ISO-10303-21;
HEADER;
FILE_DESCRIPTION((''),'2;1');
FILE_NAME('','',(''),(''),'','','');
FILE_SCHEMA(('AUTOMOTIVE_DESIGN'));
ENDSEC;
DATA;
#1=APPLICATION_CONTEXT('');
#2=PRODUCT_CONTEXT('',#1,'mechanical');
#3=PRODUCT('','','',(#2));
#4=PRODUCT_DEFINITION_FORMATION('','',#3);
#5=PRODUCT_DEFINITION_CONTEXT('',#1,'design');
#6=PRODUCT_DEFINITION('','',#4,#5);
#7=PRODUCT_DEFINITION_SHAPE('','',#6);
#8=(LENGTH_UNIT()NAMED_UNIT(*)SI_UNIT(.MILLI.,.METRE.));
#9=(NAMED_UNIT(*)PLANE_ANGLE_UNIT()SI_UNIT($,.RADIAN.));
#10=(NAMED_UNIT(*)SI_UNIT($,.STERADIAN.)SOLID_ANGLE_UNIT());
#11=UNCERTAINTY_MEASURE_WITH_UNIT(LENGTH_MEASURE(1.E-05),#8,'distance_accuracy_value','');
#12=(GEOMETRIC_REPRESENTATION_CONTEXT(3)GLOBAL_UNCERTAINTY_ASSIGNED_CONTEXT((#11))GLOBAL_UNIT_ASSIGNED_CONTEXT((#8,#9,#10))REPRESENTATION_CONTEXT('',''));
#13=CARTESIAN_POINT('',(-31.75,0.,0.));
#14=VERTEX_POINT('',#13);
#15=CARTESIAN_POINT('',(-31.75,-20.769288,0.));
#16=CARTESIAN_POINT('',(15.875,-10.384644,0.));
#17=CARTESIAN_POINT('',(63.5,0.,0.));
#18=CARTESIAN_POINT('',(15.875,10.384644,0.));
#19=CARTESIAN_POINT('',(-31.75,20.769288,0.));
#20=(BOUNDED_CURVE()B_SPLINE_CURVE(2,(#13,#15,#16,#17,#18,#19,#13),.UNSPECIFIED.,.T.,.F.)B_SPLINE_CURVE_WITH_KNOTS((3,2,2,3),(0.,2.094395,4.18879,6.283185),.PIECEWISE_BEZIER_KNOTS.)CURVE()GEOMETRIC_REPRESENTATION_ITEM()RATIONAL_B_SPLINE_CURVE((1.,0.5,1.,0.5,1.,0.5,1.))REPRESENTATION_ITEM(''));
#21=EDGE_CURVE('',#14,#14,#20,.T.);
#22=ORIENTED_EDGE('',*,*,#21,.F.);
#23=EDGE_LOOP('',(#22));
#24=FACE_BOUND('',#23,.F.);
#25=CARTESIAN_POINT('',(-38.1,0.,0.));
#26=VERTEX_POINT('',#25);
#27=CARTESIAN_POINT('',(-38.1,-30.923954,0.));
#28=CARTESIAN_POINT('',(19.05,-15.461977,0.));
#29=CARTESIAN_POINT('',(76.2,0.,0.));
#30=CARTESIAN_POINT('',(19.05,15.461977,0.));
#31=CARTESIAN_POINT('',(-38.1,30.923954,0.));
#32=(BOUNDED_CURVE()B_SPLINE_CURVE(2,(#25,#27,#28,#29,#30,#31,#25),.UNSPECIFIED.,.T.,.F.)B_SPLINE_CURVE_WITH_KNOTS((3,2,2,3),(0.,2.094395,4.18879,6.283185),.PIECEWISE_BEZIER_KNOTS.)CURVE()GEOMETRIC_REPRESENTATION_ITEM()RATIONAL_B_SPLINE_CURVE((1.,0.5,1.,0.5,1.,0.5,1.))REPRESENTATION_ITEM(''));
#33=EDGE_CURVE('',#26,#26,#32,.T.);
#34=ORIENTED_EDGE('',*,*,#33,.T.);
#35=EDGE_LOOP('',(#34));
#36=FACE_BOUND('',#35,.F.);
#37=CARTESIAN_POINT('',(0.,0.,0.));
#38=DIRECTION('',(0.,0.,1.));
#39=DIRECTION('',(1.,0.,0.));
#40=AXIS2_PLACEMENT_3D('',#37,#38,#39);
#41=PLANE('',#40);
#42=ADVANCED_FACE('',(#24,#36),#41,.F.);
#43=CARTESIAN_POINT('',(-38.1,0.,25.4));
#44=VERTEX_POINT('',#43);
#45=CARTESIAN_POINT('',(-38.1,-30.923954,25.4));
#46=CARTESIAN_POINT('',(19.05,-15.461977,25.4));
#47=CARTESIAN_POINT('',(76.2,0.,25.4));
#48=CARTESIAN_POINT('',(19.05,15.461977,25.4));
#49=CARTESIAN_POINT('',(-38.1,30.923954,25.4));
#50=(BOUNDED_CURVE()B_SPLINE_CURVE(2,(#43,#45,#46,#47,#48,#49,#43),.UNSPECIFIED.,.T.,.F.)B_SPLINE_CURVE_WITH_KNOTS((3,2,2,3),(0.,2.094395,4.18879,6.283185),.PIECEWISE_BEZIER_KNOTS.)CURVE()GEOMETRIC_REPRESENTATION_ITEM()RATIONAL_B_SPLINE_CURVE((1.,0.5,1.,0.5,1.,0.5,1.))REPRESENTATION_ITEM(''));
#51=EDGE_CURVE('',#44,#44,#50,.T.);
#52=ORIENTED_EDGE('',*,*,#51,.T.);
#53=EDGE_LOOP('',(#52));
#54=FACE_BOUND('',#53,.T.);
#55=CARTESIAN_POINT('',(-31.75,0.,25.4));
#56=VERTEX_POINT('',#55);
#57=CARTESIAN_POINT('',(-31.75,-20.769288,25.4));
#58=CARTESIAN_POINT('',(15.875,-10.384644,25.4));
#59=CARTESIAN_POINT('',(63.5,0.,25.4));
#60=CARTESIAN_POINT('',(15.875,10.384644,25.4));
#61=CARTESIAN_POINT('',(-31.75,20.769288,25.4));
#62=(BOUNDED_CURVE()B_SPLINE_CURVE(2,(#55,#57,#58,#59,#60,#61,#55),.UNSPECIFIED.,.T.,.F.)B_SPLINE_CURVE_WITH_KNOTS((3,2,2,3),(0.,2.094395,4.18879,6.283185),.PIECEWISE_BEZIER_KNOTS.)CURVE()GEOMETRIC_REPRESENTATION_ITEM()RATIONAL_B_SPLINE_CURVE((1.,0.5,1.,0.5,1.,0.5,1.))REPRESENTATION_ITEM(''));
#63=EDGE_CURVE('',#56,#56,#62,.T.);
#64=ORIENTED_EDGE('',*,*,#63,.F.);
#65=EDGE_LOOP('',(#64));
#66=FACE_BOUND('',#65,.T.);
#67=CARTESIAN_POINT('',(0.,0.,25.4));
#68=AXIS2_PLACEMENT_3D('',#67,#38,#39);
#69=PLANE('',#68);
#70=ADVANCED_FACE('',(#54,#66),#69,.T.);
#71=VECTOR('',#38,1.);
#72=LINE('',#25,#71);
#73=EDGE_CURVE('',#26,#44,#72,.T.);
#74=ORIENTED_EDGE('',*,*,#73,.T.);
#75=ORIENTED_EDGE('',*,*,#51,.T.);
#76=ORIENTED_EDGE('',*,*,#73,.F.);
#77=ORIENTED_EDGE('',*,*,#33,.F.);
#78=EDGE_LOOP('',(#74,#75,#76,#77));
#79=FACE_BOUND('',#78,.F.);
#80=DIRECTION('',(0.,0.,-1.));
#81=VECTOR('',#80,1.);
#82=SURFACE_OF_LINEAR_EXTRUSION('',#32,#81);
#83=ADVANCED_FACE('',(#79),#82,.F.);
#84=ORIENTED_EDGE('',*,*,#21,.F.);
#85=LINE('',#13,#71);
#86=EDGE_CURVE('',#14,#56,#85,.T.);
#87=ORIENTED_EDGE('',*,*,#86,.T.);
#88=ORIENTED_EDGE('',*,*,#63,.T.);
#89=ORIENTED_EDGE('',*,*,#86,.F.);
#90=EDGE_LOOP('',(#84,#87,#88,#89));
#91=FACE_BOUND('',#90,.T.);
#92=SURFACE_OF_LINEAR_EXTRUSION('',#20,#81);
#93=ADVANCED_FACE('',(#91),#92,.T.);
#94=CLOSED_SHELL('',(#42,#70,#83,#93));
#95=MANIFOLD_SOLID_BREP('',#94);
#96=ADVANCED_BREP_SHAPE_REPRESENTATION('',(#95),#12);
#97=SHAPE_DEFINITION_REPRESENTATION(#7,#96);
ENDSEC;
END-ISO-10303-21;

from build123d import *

# Parameters (mm, degrees)
F1_DEPTH = 25.4


with BuildPart() as f1:
    # F0 (on Top) → F1 (new body)
    with BuildSketch(Plane.XY):
        with BuildLine():
            add(Edge.make_bspline(
                [(-38.1, 0), (-38.1, -30.923954), (19.05, -15.461977), (76.2, 0), (19.05, 15.461977), (-38.1, 30.923954), (-38.1, 0)],
                knots=[0, 0, 0, 2.094395, 2.094395, 4.18879, 4.18879, 6.283185, 6.283185, 6.283185], degree=2, weights=[1, 0.5, 1, 0.5, 1, 0.5, 1]))
        make_face()
        with BuildLine():
            add(Edge.make_bspline(
                [(-31.75, 0), (-31.75, -20.769288), (15.875, -10.384644), (63.5, 0), (15.875, 10.384644), (-31.75, 20.769288), (-31.75, 0)],
                knots=[0, 0, 0, 2.094395, 2.094395, 4.18879, 4.18879, 6.283185, 6.283185, 6.283185], degree=2, weights=[1, 0.5, 1, 0.5, 1, 0.5, 1]))
        make_face(mode=Mode.SUBTRACT)
    extrude(amount=F1_DEPTH)


solid = f1.part
